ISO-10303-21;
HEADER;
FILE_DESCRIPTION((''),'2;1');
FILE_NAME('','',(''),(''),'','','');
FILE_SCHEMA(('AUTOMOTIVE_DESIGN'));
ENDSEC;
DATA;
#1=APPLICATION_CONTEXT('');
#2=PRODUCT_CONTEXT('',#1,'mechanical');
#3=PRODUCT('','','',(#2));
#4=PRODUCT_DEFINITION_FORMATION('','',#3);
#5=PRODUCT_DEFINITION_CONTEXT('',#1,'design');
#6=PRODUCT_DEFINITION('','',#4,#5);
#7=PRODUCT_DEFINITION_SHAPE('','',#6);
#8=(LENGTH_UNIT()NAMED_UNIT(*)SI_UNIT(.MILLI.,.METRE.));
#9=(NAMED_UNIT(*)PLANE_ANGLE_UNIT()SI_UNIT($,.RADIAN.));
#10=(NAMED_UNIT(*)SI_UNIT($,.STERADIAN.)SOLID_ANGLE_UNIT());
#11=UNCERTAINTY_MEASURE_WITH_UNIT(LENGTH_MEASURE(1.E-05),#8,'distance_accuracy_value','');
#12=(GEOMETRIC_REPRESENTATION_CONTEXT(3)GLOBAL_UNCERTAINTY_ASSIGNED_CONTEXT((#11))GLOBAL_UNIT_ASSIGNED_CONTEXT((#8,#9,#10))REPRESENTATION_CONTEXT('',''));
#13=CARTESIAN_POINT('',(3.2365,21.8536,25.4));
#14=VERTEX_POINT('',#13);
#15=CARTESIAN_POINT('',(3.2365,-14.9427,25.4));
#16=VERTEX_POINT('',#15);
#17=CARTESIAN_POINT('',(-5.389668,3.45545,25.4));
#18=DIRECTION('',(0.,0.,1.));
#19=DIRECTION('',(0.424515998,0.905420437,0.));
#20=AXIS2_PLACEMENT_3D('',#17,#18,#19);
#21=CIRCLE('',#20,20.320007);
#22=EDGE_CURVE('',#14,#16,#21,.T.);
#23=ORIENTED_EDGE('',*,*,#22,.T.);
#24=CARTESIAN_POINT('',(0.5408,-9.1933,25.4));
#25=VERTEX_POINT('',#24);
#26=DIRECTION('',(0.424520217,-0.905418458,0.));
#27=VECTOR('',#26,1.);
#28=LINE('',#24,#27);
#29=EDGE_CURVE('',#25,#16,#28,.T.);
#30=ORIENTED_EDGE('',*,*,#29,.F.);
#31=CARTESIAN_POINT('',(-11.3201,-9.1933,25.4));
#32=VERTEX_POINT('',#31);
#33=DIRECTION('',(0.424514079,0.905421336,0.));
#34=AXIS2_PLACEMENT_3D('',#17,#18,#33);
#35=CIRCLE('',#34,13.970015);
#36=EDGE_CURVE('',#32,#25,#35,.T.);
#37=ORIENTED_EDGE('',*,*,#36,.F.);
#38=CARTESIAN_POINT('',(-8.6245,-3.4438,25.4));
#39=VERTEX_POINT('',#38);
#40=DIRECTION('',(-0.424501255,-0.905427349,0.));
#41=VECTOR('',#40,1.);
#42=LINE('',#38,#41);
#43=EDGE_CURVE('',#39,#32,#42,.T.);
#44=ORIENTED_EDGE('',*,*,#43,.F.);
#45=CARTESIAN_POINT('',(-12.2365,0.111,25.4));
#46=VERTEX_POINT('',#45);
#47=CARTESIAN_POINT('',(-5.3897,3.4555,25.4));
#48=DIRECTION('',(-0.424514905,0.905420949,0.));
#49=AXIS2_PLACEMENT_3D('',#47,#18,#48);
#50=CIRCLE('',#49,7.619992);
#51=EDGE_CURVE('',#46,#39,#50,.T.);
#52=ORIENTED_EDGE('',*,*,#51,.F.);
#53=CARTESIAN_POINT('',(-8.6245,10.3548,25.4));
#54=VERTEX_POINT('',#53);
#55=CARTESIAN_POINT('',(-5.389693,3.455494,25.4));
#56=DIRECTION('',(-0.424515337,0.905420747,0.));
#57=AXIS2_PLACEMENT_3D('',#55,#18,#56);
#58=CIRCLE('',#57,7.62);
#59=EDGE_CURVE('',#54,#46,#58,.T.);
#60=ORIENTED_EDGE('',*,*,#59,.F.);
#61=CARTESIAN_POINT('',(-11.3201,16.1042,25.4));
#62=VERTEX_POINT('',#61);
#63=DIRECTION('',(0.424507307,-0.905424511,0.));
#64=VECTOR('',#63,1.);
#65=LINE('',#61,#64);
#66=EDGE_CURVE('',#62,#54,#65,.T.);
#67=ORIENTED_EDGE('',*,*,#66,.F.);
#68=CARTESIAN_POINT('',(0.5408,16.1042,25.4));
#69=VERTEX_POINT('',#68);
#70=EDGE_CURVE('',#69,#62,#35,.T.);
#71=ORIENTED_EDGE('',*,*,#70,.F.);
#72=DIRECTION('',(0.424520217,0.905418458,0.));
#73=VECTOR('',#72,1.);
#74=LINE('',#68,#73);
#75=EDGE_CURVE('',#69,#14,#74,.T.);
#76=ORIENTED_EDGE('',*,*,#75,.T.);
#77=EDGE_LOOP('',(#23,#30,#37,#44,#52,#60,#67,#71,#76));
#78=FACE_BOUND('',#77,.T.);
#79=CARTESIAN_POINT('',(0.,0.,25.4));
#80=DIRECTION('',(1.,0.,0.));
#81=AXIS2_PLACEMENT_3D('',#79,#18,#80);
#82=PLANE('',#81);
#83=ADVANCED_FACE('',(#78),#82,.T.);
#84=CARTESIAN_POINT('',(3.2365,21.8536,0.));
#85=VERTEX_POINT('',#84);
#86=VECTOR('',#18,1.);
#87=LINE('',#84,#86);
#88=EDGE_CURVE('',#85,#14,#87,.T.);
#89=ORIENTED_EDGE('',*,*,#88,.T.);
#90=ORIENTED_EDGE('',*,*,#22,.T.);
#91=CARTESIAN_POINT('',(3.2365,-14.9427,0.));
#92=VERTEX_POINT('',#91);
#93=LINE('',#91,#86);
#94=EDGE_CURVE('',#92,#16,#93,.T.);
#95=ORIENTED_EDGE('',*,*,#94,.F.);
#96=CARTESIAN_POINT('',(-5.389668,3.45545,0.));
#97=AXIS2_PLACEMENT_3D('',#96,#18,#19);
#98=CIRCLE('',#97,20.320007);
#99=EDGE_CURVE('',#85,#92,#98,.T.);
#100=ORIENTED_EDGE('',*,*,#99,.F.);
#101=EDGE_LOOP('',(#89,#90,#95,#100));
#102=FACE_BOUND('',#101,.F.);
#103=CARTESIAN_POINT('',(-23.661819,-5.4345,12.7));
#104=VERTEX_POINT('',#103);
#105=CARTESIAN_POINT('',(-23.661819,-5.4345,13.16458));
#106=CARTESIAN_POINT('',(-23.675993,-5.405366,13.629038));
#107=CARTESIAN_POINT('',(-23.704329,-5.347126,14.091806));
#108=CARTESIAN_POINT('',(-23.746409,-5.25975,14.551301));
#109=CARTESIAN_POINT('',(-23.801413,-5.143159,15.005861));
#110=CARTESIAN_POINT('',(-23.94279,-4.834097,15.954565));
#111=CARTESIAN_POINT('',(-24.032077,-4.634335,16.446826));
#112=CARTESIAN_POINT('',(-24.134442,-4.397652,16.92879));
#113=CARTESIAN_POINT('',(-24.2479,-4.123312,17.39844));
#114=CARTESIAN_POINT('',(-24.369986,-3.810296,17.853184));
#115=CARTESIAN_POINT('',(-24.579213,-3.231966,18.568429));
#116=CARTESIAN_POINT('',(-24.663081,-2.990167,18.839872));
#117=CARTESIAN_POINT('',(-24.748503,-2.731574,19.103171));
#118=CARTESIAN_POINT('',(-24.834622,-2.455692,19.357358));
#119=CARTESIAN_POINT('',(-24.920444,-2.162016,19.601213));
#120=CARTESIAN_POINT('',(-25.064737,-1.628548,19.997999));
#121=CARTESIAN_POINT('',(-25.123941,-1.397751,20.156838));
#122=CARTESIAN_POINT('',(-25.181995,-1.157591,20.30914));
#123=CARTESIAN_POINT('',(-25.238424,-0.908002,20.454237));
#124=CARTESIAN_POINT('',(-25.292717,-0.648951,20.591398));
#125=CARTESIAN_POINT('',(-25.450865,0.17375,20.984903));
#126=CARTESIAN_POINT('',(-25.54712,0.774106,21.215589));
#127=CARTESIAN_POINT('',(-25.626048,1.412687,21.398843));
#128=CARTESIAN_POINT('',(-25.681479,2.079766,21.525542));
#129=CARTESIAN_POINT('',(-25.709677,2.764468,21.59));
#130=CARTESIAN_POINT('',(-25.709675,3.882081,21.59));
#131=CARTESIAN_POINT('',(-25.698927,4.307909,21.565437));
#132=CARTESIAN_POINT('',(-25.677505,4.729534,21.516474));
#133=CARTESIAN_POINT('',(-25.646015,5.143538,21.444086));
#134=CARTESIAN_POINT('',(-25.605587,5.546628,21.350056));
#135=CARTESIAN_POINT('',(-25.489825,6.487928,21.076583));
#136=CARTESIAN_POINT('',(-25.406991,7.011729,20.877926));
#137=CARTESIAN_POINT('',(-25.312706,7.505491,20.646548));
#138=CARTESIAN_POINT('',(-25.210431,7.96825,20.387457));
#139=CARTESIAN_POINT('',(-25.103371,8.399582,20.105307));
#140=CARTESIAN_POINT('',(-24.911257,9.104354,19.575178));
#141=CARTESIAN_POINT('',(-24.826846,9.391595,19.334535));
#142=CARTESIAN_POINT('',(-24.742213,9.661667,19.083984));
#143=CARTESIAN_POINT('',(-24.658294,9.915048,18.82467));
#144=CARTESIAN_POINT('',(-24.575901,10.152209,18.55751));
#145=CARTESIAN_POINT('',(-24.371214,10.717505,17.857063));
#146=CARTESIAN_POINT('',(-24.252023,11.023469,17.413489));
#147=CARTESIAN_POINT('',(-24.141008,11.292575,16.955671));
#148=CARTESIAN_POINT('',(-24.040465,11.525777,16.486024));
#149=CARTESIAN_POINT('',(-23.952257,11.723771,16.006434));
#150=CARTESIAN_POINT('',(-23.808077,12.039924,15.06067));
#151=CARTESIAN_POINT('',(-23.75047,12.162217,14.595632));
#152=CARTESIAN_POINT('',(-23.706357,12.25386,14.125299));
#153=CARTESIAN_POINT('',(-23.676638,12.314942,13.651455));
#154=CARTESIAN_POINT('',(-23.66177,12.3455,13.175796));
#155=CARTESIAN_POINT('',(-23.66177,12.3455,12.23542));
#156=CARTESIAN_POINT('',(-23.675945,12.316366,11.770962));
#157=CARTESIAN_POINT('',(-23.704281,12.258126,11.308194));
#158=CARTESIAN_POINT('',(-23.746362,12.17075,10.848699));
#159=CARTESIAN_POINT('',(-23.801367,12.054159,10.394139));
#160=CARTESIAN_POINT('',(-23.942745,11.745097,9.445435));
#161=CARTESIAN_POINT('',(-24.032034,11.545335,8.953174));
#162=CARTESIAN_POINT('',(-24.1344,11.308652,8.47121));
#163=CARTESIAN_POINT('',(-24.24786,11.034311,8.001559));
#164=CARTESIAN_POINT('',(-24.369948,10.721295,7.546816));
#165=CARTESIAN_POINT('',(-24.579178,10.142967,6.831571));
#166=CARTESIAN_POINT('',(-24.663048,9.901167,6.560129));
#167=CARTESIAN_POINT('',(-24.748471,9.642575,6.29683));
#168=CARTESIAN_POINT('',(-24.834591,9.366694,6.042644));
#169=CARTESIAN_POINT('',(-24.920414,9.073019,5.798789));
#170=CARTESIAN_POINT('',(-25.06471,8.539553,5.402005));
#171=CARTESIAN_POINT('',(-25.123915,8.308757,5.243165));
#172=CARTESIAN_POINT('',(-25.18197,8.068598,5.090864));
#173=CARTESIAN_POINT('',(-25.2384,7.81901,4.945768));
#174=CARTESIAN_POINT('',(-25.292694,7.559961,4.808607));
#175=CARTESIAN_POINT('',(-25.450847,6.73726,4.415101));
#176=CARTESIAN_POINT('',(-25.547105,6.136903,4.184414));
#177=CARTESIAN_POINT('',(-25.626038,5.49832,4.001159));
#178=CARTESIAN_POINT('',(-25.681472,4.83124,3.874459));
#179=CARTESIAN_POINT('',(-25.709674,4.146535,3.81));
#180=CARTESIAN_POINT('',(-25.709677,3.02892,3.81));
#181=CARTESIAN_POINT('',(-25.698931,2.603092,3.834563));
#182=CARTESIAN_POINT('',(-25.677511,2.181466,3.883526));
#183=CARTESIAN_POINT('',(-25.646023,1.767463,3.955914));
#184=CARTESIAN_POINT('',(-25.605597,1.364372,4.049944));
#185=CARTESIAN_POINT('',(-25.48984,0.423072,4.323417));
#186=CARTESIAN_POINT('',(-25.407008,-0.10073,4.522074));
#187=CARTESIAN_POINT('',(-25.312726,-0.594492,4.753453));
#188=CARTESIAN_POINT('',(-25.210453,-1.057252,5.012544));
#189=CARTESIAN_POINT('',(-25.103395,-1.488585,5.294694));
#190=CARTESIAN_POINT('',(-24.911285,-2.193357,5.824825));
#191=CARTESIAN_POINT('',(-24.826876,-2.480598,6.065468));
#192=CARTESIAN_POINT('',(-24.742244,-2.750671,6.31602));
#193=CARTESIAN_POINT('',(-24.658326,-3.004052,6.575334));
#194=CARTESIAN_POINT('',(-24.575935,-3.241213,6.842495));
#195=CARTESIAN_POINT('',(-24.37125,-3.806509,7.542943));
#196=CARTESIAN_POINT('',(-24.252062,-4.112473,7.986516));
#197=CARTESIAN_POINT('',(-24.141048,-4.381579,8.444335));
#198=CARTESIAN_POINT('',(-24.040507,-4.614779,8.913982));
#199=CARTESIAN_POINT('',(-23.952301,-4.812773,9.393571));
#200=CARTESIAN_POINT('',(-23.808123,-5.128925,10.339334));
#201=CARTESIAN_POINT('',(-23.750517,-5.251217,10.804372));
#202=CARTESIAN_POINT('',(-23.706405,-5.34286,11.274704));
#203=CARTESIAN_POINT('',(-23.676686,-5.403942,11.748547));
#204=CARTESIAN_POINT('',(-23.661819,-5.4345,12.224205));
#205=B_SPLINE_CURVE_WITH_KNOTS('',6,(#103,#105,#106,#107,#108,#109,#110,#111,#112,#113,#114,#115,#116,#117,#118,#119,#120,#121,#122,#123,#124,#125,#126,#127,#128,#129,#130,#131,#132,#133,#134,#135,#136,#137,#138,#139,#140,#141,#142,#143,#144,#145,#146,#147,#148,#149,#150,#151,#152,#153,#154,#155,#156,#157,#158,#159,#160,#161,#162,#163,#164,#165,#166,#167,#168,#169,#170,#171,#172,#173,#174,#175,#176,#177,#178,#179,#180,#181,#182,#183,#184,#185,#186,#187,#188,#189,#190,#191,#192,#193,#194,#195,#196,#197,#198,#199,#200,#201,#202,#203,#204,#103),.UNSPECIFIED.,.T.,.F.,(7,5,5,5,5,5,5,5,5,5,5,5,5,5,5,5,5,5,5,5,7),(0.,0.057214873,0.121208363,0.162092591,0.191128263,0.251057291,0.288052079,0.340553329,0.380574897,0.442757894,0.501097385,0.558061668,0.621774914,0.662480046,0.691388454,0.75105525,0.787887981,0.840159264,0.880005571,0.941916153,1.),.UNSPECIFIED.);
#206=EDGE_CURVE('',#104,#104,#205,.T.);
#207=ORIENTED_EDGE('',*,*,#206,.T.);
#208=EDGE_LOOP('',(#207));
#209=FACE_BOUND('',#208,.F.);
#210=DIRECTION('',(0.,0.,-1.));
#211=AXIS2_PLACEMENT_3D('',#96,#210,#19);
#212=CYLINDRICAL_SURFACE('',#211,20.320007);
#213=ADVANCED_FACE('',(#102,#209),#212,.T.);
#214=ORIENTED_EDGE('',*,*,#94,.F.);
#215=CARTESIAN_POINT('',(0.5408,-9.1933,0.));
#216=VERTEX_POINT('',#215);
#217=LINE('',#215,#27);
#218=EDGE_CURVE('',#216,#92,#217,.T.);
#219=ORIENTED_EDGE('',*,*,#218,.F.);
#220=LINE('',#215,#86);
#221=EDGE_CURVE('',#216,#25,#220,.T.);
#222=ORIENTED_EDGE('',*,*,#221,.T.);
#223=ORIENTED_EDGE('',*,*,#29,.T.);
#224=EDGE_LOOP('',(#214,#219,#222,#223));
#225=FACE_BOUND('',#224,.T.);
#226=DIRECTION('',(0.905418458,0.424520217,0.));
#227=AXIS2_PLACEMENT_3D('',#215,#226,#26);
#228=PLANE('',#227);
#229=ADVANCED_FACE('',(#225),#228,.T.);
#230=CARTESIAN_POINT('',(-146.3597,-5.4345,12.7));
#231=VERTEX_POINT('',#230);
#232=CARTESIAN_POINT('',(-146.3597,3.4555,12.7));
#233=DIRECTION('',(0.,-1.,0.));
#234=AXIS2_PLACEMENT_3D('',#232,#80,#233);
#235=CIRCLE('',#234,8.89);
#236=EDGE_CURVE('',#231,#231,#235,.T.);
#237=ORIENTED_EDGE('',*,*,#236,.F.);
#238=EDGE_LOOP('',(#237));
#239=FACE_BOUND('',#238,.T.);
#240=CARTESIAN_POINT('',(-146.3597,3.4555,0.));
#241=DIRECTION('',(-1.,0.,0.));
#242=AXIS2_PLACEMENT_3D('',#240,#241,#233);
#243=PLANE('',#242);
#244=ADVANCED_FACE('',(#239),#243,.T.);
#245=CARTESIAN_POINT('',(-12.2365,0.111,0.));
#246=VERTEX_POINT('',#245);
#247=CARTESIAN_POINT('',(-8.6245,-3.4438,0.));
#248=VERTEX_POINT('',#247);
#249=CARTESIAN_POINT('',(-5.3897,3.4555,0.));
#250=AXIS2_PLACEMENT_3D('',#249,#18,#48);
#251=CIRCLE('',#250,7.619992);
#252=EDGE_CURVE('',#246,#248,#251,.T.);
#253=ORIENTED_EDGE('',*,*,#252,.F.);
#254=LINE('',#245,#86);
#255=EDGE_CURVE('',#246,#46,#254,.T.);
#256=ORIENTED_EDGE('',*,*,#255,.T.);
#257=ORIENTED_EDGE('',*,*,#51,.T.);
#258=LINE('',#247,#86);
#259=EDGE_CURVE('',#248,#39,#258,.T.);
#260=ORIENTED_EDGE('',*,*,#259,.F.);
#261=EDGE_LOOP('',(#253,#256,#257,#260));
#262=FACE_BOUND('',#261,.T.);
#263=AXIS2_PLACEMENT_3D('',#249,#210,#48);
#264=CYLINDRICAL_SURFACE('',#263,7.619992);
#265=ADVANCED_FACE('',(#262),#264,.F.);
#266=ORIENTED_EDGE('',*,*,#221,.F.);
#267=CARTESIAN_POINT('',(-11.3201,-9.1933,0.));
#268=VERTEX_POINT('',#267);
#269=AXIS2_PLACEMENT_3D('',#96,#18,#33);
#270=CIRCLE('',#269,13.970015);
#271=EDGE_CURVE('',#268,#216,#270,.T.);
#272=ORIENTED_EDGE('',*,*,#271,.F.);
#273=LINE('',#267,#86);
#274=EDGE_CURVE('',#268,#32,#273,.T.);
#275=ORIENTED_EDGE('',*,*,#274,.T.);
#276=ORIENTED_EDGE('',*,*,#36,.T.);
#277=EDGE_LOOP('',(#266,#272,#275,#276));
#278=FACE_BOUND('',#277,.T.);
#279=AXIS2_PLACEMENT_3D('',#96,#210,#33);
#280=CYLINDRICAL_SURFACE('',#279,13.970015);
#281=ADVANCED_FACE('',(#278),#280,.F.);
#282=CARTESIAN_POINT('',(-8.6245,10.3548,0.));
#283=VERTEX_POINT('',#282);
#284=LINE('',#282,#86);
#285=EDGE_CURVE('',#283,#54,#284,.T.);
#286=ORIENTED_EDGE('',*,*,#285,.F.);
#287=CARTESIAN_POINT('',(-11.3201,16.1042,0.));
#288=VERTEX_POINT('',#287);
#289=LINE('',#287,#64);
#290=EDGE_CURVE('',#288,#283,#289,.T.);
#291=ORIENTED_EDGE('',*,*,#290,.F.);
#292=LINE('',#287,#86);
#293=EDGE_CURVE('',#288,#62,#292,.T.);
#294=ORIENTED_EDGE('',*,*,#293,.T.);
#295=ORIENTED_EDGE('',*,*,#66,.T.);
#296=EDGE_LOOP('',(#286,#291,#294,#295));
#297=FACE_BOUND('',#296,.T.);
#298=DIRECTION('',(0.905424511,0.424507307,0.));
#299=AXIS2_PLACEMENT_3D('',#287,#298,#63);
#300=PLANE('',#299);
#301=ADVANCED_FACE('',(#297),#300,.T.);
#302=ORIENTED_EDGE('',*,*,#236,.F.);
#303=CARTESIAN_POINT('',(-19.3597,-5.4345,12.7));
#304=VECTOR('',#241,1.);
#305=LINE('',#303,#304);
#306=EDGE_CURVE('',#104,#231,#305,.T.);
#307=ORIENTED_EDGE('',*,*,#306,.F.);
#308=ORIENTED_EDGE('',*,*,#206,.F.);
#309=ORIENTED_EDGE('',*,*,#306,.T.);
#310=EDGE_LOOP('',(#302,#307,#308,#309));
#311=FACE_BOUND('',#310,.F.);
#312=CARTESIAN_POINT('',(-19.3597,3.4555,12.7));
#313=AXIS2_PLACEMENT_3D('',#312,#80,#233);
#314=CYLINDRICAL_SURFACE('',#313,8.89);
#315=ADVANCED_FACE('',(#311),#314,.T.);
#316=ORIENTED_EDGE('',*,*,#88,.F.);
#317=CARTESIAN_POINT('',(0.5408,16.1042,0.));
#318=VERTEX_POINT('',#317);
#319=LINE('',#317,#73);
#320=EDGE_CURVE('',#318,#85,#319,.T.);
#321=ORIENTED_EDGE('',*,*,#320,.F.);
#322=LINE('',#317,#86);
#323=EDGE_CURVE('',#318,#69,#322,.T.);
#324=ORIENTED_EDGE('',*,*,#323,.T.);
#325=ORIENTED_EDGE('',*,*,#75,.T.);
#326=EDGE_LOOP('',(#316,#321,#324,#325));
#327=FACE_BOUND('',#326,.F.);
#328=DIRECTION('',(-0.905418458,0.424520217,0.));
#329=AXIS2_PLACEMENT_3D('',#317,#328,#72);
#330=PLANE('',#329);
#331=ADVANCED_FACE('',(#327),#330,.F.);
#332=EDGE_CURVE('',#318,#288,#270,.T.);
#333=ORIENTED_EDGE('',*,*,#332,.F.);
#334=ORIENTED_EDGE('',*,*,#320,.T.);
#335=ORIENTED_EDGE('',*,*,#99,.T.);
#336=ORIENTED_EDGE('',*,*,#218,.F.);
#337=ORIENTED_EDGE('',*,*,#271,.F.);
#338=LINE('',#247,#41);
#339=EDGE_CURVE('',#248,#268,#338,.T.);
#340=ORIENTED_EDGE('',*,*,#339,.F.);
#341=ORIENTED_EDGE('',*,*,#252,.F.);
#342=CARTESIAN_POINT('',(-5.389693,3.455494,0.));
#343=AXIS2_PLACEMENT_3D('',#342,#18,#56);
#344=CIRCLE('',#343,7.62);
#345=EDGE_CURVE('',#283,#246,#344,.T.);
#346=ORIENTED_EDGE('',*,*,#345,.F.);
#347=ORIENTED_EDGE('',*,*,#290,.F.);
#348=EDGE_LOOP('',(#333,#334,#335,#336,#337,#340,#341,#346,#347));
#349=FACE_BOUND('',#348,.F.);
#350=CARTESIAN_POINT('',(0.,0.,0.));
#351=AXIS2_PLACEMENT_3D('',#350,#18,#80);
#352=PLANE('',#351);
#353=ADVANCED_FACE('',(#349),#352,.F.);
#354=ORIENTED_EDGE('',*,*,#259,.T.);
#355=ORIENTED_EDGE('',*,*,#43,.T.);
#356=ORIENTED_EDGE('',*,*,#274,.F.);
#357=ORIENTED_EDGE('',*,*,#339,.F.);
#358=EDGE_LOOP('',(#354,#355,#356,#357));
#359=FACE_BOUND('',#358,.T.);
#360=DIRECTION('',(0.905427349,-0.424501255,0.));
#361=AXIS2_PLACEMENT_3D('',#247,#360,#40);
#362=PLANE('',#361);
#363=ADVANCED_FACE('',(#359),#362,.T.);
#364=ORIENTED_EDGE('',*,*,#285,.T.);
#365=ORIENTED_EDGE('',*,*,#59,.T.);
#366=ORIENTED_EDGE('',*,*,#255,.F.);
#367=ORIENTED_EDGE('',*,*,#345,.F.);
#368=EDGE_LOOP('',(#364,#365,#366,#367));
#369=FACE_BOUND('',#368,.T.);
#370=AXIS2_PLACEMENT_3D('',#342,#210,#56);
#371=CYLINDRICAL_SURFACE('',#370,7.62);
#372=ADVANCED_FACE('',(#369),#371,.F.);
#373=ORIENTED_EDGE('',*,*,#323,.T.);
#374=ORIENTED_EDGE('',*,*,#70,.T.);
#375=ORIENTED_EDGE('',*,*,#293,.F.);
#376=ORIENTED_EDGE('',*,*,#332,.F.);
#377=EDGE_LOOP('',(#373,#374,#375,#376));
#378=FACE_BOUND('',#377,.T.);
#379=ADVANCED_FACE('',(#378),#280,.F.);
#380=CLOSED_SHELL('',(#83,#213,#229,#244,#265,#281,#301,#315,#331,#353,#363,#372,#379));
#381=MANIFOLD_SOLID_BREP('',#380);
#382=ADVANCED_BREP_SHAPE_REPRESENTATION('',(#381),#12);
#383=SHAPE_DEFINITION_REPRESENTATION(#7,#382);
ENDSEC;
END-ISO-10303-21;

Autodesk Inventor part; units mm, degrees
ref_plane "YZ Plane" through (0, 0, 0) normal (1, 0, 0) x (0, 1, 0)
ref_plane "XZ Plane" through (0, 0, 0) normal (0, 1, 0) x (-1, 0, 0)
ref_plane "XY Plane" through (0, 0, 0) normal (0, 0, 1) x (1, 0, 0)
sketch "Sketch1" plane through (0, 0, 0) normal (0, 0, 1) x (1, 0, 0)
  arc A0 (0.5408, 16.1042) -> (0.5408, -9.1933) centre (-5.3897, 3.4555) ccw
  arc A1 (3.2365, 21.8536) -> (3.2365, -14.9427) centre (-5.3897, 3.4555) ccw
  arc A2 (-8.6245, 10.3548) -> (-12.2365, 0.111) centre (-5.3897, 3.4555) ccw
  line L0 (-11.3201, 16.1042) -> (-8.6245, 10.3548)
  line L1 (-5.3897, 3.4555) -> (3.2365, 21.8536) construction
  line L2 (-5.3897, 3.4555) -> (3.2365, -14.9427) construction
  line L3 (-5.3897, 3.4555) -> (14.9303, 3.4555) construction
  line L4 (-5.3897, 3.4555) -> (-14.0158, -14.9427) construction
  line L5 (-5.3897, 3.4555) -> (-14.0158, 21.8536) construction
  arc A3 (-8.6245, 10.3548) -> (-8.6245, -3.4438) centre (-5.3897, 3.4555) ccw
  line L6 (-8.6245, -3.4438) -> (-11.3201, -9.1933)
  line L7 (0.5408, 16.1042) -> (3.2365, 21.8536)
  line L8 (0.5408, -9.1933) -> (3.2365, -14.9427)
  line L9 (-19.3597, 3.4555) -> (-19.3597, -7.0739) construction
  point P0 (0, 0)
  dimension "d0" = 27.94
  dimension "d1" = 40.64
  dimension "d2" = 15.24
  dimension "d4" = 129.76
extrude "Extrusion1" add sketch "Sketch1" along normal blind 25.4
ref_plane "Work Plane1" through (-19.3597, 3.4555, 0) normal (-1, 0, 0) x (0, -1, 0)
sketch "Sketch2" plane through (-19.3597, 3.4555, 0) normal (-1, 0, 0) x (0, -1, 0)
  line L0 (-20.32, 0) -> (-20.32, 25.4) projected
  line L1 (20.32, 25.4) -> (-20.32, 25.4) projected
  line L2 (-20.32, 0) -> (20.32, 25.4)
  line L3 (-20.32, 25.4) -> (20.32, 0)
  line L4 (20.32, 0) -> (20.32, 25.4) projected
  circle A0 centre (0, 12.7) radius 8.89
  point P0 (3.4555, 0)
  point P1 (-18.3981, 25.4)
  point P2 (18.3981, 25.4)
  dimension "d7" = 17.78
extrude "Extrusion2" add sketch "Sketch2" along normal blind 127 contours A0 L3 L2 | L2 L3 A0 | A0 L2 L3 | L2 A0 L3
properties part number "golf2"
